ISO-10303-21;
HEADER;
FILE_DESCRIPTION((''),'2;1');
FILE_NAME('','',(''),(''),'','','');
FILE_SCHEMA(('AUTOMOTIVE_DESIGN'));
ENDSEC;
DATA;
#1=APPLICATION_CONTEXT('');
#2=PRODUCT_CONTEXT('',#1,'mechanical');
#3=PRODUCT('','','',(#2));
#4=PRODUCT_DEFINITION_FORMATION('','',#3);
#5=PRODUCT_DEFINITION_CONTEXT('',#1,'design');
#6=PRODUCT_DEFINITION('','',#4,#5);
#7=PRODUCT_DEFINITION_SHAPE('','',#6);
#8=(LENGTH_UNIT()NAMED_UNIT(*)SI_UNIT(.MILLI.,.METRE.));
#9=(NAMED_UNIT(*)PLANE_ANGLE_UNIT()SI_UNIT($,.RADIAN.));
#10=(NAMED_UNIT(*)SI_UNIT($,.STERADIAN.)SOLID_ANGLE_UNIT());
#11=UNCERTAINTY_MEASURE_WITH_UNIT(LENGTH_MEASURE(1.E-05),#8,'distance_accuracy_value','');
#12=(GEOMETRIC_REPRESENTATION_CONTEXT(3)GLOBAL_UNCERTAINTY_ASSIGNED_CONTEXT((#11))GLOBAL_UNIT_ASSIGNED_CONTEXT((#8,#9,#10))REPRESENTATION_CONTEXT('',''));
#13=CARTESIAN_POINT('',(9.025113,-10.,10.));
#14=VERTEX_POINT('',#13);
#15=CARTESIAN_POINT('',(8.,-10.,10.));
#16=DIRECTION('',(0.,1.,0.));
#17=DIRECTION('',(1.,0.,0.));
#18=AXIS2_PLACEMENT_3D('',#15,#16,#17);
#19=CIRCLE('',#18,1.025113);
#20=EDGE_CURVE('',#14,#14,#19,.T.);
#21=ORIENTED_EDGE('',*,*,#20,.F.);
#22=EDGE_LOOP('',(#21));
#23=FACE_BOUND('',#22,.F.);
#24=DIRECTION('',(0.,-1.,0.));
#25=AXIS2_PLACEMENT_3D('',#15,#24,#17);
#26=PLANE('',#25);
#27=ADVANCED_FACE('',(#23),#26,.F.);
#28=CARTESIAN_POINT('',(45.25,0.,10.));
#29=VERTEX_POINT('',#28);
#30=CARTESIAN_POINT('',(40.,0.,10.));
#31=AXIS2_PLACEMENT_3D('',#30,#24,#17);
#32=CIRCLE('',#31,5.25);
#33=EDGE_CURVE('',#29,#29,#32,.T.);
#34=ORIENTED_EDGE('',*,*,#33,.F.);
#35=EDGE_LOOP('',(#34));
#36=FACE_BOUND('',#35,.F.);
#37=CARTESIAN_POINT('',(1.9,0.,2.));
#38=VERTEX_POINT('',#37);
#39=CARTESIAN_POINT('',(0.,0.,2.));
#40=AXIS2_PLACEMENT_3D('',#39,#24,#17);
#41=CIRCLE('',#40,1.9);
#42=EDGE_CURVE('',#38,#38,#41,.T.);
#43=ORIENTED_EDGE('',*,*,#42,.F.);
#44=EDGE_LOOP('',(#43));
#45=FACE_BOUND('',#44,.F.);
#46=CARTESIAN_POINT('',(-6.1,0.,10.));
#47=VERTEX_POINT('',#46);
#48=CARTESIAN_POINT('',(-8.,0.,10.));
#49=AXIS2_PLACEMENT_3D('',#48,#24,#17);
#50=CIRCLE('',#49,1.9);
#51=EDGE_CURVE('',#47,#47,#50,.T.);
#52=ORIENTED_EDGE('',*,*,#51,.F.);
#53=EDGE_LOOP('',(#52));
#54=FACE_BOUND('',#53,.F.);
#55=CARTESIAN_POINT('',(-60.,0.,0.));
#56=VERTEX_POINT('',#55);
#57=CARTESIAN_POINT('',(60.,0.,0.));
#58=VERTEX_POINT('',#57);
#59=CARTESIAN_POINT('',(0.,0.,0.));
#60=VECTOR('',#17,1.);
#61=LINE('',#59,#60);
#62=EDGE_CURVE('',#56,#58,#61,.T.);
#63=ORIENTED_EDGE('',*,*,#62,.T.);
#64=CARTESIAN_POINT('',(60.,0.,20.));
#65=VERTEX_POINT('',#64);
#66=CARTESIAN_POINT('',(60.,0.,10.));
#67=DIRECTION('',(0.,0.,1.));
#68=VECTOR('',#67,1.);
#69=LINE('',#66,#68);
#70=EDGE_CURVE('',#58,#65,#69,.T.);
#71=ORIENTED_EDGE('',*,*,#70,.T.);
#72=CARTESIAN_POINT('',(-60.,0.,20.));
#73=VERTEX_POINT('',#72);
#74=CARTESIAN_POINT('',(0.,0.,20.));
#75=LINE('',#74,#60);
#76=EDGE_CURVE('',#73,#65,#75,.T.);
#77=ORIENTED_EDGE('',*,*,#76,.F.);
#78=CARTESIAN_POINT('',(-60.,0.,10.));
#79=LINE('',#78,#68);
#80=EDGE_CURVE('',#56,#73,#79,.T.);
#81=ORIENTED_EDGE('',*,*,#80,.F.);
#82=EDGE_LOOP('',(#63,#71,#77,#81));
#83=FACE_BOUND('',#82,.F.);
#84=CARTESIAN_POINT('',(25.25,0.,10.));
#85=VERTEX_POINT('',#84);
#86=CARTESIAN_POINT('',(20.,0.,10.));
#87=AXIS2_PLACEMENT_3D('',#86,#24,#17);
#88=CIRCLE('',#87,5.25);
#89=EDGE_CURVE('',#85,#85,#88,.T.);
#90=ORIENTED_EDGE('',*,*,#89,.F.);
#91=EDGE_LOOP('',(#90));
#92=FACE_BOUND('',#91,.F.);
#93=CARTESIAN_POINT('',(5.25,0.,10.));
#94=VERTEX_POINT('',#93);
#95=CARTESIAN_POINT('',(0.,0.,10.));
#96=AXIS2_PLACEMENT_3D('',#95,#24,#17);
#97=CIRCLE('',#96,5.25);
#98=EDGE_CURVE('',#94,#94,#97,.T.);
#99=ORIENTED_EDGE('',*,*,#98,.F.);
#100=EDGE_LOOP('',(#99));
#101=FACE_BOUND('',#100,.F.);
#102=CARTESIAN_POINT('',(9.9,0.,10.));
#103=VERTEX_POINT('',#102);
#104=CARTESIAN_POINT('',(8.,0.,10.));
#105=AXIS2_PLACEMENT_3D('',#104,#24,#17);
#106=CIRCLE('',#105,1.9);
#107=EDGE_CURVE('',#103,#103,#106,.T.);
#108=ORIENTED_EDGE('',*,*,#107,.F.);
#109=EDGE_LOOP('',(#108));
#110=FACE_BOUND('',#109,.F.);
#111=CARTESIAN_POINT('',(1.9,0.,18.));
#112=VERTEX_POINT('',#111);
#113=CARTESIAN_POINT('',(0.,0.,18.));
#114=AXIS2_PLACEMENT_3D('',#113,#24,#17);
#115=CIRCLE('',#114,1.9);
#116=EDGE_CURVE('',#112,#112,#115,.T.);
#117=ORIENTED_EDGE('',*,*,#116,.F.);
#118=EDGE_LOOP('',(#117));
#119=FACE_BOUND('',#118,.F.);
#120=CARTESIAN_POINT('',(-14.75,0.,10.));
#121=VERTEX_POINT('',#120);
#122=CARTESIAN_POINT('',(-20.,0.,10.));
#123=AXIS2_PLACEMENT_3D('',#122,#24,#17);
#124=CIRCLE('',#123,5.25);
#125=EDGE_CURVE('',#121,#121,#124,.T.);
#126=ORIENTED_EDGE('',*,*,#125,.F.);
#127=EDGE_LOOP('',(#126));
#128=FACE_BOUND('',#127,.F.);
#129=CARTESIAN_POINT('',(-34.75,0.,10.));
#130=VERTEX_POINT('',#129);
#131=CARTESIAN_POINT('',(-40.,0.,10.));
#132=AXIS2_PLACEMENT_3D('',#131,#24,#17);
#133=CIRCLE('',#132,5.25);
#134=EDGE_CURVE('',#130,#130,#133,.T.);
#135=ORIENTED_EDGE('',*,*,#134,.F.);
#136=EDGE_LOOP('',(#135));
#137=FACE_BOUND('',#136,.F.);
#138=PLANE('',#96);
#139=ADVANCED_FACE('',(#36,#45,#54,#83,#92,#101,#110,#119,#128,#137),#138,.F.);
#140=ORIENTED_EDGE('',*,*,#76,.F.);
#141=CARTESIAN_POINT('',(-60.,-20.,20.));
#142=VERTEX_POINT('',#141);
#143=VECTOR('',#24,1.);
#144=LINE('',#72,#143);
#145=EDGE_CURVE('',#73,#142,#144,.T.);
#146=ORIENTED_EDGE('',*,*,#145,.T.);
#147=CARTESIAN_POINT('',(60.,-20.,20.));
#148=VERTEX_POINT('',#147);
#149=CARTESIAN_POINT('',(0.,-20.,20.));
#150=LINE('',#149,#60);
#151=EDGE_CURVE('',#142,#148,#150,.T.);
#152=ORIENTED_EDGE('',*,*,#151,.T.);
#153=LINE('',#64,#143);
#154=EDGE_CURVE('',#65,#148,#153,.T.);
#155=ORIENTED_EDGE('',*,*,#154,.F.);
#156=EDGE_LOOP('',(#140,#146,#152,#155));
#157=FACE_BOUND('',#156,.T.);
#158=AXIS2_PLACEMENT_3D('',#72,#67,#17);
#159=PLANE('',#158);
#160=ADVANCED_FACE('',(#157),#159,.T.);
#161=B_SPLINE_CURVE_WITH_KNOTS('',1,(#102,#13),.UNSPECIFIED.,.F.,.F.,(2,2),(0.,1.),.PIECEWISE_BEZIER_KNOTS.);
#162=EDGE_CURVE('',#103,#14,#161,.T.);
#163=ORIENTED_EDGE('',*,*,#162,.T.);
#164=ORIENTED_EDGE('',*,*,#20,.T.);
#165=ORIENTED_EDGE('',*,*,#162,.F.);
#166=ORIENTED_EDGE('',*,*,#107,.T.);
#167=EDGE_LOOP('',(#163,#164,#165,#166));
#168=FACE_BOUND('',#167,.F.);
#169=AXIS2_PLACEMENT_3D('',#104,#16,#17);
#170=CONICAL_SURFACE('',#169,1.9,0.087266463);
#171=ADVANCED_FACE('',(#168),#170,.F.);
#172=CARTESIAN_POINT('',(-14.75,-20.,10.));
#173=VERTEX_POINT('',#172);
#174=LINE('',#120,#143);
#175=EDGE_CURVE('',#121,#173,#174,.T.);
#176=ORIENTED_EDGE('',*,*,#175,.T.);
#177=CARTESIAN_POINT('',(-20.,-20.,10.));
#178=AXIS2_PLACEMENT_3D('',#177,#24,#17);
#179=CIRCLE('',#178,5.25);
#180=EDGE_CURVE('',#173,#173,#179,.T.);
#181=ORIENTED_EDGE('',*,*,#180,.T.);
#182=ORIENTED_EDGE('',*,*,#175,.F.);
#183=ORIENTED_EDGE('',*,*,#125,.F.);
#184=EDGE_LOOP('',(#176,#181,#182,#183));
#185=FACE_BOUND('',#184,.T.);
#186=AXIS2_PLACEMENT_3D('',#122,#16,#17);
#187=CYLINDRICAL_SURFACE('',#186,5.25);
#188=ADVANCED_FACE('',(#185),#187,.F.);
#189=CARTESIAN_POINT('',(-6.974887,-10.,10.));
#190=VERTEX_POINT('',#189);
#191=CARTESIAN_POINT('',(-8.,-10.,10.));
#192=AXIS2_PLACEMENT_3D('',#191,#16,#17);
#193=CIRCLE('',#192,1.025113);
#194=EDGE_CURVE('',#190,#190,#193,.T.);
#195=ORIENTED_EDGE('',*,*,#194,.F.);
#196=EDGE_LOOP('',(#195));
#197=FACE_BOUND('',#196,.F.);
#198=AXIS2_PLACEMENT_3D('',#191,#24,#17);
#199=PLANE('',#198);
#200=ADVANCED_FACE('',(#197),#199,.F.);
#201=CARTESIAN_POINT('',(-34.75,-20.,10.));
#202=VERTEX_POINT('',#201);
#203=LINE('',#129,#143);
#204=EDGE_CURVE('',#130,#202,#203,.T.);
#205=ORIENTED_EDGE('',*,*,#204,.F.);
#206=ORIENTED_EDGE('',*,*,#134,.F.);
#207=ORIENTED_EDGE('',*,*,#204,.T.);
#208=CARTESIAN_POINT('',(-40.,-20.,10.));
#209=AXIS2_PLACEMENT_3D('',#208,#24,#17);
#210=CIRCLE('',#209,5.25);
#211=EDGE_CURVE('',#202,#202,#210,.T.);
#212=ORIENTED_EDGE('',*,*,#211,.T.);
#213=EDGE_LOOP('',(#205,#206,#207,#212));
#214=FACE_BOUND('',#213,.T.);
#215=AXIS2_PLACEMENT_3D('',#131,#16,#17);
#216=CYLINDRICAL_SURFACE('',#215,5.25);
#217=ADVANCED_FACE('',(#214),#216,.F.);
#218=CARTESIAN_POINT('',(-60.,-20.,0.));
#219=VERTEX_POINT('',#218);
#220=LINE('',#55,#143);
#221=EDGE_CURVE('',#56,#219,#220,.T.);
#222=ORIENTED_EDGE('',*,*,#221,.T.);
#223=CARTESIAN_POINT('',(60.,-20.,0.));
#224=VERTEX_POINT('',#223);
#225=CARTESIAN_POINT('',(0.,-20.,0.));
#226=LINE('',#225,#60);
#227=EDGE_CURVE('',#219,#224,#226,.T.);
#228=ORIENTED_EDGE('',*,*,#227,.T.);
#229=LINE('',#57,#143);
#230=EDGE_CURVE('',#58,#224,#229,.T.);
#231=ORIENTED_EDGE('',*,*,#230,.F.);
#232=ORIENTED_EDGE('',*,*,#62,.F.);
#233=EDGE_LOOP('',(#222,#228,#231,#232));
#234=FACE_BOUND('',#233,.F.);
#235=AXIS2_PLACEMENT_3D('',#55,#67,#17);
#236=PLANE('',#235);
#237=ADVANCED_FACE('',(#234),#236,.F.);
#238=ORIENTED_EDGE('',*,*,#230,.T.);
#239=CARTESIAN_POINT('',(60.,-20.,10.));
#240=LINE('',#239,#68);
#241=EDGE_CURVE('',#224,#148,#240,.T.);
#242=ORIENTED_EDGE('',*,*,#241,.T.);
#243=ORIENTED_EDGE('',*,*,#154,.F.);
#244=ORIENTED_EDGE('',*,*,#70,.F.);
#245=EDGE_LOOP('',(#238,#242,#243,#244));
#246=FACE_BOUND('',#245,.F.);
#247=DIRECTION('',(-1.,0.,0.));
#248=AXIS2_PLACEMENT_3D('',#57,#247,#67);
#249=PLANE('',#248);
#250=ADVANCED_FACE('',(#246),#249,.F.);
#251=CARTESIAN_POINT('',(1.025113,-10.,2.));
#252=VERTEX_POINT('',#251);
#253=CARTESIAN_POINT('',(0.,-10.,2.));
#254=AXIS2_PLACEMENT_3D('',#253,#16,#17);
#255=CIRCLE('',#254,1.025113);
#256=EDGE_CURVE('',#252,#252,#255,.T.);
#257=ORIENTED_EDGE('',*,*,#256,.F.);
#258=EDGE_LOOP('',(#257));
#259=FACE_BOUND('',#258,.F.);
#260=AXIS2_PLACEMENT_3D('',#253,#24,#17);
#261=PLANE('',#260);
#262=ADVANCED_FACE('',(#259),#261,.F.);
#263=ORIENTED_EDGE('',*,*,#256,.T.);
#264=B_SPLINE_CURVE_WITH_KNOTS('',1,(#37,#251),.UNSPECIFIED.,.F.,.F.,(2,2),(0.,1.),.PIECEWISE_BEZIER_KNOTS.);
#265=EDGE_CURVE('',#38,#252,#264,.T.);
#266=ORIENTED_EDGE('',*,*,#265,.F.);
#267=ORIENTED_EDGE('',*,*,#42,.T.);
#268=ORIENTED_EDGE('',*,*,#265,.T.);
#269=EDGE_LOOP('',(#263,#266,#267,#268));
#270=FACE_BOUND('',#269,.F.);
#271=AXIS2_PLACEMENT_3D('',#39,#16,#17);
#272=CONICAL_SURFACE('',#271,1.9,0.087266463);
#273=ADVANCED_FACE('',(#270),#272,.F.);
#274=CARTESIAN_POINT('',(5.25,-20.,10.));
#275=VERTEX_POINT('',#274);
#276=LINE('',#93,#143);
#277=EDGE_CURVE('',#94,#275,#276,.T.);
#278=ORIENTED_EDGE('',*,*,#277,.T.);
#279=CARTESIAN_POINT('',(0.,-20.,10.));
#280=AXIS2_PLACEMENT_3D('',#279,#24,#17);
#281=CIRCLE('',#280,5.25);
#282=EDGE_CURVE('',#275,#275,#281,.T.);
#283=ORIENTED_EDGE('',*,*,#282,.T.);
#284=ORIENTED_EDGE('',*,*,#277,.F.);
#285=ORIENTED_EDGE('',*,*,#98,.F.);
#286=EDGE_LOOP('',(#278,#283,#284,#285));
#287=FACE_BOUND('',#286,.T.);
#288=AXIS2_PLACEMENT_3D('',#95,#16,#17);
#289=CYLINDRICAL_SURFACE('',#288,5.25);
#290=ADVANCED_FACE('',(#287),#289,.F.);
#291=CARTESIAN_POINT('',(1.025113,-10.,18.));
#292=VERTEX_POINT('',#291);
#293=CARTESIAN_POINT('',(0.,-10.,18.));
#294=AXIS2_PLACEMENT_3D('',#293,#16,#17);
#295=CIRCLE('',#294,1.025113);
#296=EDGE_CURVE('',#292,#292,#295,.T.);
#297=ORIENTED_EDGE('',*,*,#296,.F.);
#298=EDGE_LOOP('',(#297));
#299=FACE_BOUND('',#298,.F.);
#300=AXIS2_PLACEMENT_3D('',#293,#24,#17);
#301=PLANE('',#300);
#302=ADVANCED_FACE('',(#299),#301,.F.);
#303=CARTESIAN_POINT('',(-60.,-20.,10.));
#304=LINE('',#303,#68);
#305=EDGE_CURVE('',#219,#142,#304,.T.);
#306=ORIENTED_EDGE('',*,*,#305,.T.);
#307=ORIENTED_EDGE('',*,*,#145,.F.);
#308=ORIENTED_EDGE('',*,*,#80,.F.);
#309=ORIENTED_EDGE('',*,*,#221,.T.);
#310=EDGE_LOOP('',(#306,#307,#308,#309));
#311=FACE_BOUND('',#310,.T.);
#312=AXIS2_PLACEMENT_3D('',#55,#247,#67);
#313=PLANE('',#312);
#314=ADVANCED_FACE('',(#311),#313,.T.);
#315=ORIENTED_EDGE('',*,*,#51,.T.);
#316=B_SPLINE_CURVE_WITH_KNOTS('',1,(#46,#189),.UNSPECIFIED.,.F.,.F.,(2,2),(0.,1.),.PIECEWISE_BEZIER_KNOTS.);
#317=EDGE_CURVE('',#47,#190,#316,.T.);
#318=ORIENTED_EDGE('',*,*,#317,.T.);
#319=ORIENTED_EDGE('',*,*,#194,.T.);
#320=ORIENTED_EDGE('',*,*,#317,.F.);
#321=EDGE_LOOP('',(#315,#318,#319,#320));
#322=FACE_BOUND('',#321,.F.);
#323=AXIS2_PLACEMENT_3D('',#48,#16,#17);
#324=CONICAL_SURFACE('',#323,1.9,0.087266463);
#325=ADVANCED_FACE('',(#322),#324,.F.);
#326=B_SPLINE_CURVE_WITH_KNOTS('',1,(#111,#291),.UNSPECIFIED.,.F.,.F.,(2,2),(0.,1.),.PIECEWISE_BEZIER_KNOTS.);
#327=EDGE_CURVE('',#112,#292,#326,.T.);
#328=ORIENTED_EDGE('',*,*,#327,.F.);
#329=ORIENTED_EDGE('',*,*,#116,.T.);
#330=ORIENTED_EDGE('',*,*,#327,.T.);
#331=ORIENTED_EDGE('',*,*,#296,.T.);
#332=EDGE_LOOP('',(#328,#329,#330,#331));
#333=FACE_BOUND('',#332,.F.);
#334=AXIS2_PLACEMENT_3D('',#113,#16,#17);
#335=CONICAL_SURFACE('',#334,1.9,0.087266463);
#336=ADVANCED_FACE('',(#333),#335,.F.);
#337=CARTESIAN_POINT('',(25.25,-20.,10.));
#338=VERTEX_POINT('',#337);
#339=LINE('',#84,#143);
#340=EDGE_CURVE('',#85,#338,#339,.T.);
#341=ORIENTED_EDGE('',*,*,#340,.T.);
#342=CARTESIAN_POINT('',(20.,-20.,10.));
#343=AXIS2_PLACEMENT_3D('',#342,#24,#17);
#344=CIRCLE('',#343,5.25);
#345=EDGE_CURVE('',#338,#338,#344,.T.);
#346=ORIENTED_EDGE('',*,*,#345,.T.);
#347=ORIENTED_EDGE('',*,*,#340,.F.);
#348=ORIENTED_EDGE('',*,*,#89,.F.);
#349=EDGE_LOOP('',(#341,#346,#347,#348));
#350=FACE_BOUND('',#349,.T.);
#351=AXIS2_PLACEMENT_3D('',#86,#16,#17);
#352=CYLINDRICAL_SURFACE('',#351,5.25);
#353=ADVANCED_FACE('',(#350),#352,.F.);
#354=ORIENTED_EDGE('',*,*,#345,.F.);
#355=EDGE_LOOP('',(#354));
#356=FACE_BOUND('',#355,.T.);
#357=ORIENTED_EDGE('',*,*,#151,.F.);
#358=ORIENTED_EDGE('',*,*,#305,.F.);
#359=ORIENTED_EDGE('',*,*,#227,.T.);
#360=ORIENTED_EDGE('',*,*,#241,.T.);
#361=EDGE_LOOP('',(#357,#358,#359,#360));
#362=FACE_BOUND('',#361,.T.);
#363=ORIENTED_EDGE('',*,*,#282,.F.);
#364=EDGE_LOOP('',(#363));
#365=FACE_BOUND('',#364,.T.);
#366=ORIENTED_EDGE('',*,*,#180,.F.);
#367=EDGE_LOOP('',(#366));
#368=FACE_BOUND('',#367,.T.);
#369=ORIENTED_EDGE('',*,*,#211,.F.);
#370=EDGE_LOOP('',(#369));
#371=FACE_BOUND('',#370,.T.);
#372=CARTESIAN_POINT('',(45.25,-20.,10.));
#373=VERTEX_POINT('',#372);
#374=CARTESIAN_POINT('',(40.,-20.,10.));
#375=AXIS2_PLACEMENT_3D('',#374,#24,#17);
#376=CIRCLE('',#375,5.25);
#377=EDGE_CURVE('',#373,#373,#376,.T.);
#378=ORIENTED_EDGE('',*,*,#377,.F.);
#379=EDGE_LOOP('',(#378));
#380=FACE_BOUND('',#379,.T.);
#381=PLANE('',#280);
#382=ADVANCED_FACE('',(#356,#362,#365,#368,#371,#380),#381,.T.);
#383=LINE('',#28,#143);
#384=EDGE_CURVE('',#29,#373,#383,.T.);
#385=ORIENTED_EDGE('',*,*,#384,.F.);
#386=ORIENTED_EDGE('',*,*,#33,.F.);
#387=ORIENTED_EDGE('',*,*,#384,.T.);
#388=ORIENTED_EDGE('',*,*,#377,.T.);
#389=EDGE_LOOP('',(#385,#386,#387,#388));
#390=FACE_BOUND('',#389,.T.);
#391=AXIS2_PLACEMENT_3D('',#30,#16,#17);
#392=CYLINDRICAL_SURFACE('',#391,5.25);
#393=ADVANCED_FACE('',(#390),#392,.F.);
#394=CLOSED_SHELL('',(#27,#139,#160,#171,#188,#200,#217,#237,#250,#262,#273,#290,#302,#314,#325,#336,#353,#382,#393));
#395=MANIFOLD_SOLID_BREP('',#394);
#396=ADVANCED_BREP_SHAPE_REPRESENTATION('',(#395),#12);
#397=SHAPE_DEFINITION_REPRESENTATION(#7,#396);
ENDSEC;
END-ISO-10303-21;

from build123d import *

# Parameters (mm, degrees)
F0_W     = 120
F0_H     = 20
F0_R     = 1.9
F0_R_2   = 5.25
F1_DEPTH = 20
F2_DEPTH = 10
F2_TAPER = 5


with BuildPart() as f1:
    # F0 (on Front) → F1 (new body)
    with BuildSketch(Plane.XZ):
        with Locations((0, 10)):
            Rectangle(F0_W, F0_H)
        with Locations((0, 2)):
            Circle(F0_R, mode=Mode.SUBTRACT)
        with Locations((-40, 10)):
            Circle(F0_R_2, mode=Mode.SUBTRACT)
        with Locations((-20, 10)):
            Circle(F0_R_2, mode=Mode.SUBTRACT)
        with Locations((-8, 10)):
            Circle(F0_R, mode=Mode.SUBTRACT)
        with Locations((0, 10)):
            Circle(F0_R_2, mode=Mode.SUBTRACT)
        with Locations((8, 10)):
            Circle(F0_R, mode=Mode.SUBTRACT)
        with Locations((20, 10)):
            Circle(F0_R_2, mode=Mode.SUBTRACT)
        with Locations((40, 10)):
            Circle(F0_R_2, mode=Mode.SUBTRACT)
        with Locations((0, 18)):
            Circle(F0_R, mode=Mode.SUBTRACT)
        with Locations((8, 10)):
            Circle(F0_R)
        with Locations((0, 18)):
            Circle(F0_R)
        with Locations((-8, 10)):
            Circle(F0_R)
        with Locations((0, 2)):
            Circle(F0_R)
    extrude(amount=F1_DEPTH)

    # F0 (on Front) → F2 (cut)
    with BuildSketch(Plane.XZ):
        with Locations((8, 10)):
            Circle(F0_R)
        with Locations((0, 18)):
            Circle(F0_R)
        with Locations((-8, 10)):
            Circle(F0_R)
        with Locations((0, 2)):
            Circle(F0_R)
    extrude(amount=F2_DEPTH, taper=F2_TAPER, mode=Mode.SUBTRACT)


solid = f1.part
